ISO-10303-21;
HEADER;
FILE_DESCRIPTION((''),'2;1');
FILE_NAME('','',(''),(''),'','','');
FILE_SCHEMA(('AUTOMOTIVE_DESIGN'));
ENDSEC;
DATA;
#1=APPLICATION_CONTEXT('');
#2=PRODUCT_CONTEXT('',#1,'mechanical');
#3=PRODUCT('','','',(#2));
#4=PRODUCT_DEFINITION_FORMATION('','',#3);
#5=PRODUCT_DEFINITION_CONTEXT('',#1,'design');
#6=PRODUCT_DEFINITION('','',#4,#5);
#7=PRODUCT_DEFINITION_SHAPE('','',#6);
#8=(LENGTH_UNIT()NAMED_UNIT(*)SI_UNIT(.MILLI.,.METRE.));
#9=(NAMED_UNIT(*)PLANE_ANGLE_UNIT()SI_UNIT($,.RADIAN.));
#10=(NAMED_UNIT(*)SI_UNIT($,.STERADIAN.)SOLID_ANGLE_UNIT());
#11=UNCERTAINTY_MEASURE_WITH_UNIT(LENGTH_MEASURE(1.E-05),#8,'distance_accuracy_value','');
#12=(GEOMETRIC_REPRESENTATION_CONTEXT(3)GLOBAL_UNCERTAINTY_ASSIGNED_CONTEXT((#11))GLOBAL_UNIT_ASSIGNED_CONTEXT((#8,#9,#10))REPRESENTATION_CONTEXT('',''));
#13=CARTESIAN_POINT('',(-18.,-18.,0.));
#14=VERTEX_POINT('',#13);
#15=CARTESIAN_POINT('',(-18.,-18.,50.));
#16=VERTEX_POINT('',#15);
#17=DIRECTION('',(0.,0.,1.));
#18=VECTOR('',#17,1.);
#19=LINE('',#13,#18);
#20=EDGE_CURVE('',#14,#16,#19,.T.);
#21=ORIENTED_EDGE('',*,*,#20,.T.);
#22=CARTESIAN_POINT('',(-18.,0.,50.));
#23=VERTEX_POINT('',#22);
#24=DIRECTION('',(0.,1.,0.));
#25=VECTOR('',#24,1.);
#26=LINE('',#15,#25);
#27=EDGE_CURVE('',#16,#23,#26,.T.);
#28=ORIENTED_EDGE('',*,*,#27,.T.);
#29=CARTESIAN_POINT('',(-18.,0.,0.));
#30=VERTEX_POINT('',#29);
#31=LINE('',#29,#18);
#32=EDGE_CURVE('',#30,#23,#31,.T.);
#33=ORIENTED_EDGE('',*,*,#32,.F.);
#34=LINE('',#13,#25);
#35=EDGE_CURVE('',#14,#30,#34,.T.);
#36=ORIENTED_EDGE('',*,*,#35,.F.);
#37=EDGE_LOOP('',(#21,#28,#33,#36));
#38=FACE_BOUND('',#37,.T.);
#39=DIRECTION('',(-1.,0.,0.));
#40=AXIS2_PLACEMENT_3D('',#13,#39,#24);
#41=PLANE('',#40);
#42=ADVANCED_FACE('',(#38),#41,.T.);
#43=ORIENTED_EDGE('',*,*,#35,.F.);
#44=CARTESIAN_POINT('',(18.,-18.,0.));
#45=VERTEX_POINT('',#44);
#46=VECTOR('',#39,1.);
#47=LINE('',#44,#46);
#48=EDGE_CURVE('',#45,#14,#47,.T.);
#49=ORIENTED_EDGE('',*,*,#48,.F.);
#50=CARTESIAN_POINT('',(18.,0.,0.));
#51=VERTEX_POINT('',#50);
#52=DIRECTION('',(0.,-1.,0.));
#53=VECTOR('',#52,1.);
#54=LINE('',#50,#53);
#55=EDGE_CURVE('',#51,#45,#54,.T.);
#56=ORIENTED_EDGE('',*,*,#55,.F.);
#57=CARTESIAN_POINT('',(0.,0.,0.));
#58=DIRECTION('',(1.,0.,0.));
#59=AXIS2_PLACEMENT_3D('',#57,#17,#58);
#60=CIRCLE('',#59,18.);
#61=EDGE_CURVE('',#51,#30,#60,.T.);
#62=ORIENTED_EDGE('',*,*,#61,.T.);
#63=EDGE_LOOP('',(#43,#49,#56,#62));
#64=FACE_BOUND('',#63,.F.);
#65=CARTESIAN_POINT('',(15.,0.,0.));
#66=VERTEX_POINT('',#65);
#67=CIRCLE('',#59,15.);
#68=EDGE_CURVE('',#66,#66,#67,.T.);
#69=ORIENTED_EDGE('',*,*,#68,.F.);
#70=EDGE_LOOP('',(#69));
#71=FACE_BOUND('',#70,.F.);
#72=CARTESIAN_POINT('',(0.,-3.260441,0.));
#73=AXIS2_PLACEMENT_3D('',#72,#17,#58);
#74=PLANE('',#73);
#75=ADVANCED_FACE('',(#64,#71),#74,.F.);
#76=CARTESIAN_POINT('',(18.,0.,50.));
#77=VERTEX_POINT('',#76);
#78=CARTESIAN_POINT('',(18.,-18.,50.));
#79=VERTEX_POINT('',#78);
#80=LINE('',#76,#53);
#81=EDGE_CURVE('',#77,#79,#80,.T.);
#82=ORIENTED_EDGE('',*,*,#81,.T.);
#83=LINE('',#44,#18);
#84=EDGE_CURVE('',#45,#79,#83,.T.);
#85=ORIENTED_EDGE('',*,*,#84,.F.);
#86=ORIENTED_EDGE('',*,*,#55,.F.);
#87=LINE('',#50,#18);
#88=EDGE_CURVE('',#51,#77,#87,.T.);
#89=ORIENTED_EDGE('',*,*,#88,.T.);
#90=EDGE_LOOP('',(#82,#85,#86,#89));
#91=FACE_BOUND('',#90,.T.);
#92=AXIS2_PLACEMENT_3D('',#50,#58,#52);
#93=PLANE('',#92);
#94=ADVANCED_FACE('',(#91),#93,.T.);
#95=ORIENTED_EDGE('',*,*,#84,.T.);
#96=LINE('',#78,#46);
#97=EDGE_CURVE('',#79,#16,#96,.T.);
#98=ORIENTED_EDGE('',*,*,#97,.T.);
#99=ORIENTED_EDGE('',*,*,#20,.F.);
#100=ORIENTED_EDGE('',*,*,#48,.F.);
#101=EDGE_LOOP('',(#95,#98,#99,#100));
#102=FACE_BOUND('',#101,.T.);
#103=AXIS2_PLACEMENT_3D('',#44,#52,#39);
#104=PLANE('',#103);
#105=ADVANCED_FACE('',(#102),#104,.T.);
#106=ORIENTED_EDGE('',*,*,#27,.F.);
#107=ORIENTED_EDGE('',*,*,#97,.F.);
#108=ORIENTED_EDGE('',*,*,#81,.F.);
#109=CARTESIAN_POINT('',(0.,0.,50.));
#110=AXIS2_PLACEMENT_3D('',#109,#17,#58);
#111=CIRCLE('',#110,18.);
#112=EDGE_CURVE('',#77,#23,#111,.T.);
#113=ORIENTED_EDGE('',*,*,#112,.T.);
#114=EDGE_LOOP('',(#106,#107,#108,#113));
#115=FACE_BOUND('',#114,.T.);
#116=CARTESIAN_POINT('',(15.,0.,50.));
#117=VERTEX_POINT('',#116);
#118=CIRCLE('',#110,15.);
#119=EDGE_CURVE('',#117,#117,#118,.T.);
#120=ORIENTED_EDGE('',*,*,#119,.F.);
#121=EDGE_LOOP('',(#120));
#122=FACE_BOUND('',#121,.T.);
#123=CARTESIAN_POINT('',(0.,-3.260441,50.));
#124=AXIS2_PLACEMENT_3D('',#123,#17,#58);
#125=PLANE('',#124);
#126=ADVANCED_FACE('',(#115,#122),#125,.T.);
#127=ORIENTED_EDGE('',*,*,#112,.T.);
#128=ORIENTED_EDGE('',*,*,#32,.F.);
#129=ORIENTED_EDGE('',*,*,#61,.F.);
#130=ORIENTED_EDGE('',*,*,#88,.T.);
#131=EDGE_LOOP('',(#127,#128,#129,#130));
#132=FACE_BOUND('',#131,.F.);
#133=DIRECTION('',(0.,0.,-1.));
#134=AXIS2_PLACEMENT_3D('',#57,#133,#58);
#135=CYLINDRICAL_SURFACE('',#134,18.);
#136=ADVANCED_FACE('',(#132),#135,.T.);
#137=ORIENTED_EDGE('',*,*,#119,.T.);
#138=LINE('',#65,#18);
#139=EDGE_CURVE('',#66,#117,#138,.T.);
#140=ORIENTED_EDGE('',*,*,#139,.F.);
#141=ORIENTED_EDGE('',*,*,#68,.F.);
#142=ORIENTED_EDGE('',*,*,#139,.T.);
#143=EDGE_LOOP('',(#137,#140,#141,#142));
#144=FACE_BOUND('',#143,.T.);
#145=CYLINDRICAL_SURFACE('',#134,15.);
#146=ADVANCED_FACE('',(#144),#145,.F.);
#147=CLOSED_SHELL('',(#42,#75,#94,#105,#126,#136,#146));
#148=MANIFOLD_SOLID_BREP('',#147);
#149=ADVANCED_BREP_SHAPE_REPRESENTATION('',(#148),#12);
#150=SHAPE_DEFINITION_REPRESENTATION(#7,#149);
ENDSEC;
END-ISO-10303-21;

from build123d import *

# Parameters (mm, degrees)
SKETCH_R  = 15
PAD_DEPTH = 50


with BuildPart() as part:
    # Sketch → Pad (new body)
    with BuildSketch(Plane.XY):
        with BuildLine():
            ThreePointArc((18, 0), (0, 18), (-18, 0))
            Line((-18, -18), (-18, 0))
            Line((18, -18), (-18, -18))
            Line((18, 0), (18, -18))
        make_face()
        Circle(SKETCH_R, mode=Mode.SUBTRACT)
    extrude(amount=PAD_DEPTH)


solid = part.part
